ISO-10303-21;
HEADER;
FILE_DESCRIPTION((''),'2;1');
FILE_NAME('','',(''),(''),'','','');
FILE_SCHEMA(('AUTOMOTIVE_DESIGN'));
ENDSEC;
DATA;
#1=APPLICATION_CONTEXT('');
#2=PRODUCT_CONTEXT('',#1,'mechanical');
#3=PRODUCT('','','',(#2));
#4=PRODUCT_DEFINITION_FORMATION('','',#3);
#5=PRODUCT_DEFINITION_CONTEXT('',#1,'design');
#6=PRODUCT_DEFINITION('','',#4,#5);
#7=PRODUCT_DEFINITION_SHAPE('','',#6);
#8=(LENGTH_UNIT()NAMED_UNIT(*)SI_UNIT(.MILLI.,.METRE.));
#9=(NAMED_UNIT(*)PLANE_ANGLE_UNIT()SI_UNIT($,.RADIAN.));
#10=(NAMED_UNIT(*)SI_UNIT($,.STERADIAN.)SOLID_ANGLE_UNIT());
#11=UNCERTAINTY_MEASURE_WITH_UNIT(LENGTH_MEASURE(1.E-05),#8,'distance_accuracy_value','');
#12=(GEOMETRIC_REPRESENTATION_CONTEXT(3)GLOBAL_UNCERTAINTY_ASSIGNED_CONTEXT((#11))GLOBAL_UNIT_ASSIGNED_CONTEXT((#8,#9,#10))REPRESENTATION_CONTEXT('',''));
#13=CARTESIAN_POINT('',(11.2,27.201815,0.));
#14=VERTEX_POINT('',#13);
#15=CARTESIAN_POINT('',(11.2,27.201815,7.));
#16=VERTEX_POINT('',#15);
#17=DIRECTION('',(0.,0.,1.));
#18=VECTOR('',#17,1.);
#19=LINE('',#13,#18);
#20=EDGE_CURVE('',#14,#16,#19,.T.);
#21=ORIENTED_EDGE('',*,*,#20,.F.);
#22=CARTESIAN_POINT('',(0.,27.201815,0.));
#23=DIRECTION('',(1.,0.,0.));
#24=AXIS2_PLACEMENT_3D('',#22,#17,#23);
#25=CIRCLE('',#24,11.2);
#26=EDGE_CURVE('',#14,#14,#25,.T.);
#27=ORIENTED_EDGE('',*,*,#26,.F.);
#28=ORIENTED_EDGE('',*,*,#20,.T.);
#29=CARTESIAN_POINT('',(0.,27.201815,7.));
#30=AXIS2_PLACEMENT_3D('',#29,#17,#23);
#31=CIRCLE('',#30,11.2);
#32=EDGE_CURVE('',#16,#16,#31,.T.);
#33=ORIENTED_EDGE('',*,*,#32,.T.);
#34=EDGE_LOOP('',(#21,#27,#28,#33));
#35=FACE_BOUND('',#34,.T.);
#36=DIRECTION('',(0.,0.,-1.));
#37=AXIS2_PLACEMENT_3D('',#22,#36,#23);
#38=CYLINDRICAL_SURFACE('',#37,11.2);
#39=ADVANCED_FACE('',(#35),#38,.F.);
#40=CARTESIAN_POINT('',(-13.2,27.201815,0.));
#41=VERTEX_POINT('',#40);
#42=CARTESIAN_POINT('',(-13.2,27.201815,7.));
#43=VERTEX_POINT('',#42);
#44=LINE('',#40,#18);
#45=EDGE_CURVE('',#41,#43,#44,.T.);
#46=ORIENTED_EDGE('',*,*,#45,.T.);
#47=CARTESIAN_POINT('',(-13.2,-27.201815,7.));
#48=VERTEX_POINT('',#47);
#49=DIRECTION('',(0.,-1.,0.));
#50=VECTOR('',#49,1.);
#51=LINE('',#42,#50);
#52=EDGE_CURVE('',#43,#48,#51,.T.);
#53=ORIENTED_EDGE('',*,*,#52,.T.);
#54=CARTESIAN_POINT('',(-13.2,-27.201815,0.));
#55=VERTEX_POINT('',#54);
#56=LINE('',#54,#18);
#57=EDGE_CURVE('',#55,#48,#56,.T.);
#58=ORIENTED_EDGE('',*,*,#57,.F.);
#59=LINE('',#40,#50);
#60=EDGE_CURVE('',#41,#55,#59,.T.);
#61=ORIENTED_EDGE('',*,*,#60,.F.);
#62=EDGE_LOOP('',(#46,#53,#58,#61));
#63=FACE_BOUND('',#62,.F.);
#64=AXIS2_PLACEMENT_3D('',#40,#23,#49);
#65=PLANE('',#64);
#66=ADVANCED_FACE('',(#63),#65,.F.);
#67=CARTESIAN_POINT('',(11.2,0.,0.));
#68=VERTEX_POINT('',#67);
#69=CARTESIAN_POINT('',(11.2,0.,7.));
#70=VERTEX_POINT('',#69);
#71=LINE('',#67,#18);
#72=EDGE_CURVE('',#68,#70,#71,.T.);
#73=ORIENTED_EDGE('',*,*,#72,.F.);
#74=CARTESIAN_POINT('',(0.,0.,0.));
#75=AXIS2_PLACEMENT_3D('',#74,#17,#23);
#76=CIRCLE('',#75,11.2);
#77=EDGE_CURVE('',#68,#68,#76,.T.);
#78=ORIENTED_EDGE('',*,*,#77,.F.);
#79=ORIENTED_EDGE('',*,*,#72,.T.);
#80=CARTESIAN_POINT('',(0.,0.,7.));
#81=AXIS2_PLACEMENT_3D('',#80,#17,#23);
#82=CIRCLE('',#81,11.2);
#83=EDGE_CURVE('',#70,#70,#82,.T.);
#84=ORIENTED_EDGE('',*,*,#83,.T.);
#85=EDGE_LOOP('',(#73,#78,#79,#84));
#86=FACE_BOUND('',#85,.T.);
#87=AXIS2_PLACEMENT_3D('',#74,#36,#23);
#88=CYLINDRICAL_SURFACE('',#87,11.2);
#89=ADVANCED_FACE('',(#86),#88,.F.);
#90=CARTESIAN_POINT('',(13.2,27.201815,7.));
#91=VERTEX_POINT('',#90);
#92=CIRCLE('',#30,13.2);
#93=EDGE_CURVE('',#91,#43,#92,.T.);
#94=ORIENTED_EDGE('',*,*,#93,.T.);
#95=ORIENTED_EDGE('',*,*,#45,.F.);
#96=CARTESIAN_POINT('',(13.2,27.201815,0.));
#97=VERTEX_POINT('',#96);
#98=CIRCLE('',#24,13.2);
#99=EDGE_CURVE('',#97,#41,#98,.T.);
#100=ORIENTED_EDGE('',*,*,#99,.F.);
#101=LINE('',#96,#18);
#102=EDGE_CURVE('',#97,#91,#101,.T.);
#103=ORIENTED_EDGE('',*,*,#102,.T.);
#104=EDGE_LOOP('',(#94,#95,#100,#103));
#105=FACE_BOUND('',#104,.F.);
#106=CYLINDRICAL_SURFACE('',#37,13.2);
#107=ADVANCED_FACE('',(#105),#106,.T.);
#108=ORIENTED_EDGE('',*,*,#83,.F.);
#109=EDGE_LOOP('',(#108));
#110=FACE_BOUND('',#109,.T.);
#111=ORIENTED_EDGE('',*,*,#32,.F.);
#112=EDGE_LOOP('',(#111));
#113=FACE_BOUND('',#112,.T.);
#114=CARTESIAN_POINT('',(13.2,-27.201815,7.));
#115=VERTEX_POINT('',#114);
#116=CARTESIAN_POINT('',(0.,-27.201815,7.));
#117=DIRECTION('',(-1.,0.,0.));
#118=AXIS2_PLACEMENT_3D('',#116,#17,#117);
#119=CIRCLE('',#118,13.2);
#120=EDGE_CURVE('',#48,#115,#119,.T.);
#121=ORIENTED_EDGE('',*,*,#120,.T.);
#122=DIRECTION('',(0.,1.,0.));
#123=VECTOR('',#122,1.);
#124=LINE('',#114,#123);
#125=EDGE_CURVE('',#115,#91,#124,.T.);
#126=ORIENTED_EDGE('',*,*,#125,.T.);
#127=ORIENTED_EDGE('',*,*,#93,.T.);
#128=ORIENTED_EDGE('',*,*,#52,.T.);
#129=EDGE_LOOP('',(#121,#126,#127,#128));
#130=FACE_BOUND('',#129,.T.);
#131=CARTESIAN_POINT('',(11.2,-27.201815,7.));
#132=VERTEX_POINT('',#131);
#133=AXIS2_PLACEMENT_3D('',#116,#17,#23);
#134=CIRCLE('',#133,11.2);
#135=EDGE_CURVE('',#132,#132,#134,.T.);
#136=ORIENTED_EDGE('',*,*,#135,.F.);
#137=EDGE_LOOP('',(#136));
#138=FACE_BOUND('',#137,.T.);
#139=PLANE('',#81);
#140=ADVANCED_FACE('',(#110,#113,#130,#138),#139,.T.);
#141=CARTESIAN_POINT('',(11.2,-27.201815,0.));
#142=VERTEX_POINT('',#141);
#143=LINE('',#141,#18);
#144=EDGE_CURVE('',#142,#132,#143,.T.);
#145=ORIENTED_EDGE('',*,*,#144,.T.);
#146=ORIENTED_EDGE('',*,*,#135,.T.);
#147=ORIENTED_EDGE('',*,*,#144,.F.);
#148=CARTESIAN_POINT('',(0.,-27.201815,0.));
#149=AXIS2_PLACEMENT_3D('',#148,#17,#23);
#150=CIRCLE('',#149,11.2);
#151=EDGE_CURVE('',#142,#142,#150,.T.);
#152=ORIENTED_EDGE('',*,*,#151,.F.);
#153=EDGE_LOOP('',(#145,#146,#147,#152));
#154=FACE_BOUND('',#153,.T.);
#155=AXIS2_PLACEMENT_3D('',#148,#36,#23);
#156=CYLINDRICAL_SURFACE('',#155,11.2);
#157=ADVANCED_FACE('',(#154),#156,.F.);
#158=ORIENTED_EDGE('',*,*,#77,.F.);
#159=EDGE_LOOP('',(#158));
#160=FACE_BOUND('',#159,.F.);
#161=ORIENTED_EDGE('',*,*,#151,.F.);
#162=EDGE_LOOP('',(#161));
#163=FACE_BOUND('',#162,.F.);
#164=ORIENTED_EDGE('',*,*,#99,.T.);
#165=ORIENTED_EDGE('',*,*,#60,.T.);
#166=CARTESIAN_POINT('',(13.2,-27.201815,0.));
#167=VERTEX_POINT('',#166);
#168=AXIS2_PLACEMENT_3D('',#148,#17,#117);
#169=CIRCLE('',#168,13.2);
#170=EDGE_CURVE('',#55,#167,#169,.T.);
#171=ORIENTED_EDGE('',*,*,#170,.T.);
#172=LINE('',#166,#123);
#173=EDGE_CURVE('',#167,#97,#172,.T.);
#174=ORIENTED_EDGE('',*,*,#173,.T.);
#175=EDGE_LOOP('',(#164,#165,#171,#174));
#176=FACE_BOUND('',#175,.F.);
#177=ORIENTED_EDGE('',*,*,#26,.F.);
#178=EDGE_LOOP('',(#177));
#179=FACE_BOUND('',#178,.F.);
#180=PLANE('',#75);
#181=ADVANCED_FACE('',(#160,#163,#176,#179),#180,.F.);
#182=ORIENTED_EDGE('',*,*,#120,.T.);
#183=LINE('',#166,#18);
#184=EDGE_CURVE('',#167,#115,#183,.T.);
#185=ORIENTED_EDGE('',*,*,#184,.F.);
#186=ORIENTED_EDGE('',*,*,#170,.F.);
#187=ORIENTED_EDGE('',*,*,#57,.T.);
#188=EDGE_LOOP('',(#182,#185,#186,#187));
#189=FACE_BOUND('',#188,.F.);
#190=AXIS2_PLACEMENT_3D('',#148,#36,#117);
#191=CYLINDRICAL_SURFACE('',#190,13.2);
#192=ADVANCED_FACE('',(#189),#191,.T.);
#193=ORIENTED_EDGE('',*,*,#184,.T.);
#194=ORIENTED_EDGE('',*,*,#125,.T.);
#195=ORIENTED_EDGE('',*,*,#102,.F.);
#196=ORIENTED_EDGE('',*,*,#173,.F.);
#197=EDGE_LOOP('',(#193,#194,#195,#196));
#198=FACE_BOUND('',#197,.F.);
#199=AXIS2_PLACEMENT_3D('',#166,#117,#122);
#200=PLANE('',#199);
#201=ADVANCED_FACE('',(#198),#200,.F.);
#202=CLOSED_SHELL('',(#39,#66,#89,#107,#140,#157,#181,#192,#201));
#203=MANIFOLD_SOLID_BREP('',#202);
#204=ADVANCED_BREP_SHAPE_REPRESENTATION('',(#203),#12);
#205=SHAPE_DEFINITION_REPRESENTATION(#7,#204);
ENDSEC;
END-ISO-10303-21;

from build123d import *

# Parameters (mm, degrees)
F0_R     = 11.2
F1_DEPTH = 7


with BuildPart() as f1:
    # F0 (on Top) → F1 (new body)
    with BuildSketch(Plane.XY):
        with BuildLine():
            Line((13.2, -27.201815), (13.2, 27.201815))
            ThreePointArc((13.2, 27.201815), (0, 40.401815), (-13.2, 27.201815))
            Line((-13.2, 27.201815), (-13.2, -27.201815))
            ThreePointArc((-13.2, -27.201815), (0, -40.401815), (13.2, -27.201815))
        make_face()
        with Locations((0, -27.201815)):
            Circle(F0_R, mode=Mode.SUBTRACT)
        Circle(F0_R, mode=Mode.SUBTRACT)
        with Locations((0, 27.201815)):
            Circle(F0_R, mode=Mode.SUBTRACT)
    extrude(amount=F1_DEPTH)


solid = f1.part
